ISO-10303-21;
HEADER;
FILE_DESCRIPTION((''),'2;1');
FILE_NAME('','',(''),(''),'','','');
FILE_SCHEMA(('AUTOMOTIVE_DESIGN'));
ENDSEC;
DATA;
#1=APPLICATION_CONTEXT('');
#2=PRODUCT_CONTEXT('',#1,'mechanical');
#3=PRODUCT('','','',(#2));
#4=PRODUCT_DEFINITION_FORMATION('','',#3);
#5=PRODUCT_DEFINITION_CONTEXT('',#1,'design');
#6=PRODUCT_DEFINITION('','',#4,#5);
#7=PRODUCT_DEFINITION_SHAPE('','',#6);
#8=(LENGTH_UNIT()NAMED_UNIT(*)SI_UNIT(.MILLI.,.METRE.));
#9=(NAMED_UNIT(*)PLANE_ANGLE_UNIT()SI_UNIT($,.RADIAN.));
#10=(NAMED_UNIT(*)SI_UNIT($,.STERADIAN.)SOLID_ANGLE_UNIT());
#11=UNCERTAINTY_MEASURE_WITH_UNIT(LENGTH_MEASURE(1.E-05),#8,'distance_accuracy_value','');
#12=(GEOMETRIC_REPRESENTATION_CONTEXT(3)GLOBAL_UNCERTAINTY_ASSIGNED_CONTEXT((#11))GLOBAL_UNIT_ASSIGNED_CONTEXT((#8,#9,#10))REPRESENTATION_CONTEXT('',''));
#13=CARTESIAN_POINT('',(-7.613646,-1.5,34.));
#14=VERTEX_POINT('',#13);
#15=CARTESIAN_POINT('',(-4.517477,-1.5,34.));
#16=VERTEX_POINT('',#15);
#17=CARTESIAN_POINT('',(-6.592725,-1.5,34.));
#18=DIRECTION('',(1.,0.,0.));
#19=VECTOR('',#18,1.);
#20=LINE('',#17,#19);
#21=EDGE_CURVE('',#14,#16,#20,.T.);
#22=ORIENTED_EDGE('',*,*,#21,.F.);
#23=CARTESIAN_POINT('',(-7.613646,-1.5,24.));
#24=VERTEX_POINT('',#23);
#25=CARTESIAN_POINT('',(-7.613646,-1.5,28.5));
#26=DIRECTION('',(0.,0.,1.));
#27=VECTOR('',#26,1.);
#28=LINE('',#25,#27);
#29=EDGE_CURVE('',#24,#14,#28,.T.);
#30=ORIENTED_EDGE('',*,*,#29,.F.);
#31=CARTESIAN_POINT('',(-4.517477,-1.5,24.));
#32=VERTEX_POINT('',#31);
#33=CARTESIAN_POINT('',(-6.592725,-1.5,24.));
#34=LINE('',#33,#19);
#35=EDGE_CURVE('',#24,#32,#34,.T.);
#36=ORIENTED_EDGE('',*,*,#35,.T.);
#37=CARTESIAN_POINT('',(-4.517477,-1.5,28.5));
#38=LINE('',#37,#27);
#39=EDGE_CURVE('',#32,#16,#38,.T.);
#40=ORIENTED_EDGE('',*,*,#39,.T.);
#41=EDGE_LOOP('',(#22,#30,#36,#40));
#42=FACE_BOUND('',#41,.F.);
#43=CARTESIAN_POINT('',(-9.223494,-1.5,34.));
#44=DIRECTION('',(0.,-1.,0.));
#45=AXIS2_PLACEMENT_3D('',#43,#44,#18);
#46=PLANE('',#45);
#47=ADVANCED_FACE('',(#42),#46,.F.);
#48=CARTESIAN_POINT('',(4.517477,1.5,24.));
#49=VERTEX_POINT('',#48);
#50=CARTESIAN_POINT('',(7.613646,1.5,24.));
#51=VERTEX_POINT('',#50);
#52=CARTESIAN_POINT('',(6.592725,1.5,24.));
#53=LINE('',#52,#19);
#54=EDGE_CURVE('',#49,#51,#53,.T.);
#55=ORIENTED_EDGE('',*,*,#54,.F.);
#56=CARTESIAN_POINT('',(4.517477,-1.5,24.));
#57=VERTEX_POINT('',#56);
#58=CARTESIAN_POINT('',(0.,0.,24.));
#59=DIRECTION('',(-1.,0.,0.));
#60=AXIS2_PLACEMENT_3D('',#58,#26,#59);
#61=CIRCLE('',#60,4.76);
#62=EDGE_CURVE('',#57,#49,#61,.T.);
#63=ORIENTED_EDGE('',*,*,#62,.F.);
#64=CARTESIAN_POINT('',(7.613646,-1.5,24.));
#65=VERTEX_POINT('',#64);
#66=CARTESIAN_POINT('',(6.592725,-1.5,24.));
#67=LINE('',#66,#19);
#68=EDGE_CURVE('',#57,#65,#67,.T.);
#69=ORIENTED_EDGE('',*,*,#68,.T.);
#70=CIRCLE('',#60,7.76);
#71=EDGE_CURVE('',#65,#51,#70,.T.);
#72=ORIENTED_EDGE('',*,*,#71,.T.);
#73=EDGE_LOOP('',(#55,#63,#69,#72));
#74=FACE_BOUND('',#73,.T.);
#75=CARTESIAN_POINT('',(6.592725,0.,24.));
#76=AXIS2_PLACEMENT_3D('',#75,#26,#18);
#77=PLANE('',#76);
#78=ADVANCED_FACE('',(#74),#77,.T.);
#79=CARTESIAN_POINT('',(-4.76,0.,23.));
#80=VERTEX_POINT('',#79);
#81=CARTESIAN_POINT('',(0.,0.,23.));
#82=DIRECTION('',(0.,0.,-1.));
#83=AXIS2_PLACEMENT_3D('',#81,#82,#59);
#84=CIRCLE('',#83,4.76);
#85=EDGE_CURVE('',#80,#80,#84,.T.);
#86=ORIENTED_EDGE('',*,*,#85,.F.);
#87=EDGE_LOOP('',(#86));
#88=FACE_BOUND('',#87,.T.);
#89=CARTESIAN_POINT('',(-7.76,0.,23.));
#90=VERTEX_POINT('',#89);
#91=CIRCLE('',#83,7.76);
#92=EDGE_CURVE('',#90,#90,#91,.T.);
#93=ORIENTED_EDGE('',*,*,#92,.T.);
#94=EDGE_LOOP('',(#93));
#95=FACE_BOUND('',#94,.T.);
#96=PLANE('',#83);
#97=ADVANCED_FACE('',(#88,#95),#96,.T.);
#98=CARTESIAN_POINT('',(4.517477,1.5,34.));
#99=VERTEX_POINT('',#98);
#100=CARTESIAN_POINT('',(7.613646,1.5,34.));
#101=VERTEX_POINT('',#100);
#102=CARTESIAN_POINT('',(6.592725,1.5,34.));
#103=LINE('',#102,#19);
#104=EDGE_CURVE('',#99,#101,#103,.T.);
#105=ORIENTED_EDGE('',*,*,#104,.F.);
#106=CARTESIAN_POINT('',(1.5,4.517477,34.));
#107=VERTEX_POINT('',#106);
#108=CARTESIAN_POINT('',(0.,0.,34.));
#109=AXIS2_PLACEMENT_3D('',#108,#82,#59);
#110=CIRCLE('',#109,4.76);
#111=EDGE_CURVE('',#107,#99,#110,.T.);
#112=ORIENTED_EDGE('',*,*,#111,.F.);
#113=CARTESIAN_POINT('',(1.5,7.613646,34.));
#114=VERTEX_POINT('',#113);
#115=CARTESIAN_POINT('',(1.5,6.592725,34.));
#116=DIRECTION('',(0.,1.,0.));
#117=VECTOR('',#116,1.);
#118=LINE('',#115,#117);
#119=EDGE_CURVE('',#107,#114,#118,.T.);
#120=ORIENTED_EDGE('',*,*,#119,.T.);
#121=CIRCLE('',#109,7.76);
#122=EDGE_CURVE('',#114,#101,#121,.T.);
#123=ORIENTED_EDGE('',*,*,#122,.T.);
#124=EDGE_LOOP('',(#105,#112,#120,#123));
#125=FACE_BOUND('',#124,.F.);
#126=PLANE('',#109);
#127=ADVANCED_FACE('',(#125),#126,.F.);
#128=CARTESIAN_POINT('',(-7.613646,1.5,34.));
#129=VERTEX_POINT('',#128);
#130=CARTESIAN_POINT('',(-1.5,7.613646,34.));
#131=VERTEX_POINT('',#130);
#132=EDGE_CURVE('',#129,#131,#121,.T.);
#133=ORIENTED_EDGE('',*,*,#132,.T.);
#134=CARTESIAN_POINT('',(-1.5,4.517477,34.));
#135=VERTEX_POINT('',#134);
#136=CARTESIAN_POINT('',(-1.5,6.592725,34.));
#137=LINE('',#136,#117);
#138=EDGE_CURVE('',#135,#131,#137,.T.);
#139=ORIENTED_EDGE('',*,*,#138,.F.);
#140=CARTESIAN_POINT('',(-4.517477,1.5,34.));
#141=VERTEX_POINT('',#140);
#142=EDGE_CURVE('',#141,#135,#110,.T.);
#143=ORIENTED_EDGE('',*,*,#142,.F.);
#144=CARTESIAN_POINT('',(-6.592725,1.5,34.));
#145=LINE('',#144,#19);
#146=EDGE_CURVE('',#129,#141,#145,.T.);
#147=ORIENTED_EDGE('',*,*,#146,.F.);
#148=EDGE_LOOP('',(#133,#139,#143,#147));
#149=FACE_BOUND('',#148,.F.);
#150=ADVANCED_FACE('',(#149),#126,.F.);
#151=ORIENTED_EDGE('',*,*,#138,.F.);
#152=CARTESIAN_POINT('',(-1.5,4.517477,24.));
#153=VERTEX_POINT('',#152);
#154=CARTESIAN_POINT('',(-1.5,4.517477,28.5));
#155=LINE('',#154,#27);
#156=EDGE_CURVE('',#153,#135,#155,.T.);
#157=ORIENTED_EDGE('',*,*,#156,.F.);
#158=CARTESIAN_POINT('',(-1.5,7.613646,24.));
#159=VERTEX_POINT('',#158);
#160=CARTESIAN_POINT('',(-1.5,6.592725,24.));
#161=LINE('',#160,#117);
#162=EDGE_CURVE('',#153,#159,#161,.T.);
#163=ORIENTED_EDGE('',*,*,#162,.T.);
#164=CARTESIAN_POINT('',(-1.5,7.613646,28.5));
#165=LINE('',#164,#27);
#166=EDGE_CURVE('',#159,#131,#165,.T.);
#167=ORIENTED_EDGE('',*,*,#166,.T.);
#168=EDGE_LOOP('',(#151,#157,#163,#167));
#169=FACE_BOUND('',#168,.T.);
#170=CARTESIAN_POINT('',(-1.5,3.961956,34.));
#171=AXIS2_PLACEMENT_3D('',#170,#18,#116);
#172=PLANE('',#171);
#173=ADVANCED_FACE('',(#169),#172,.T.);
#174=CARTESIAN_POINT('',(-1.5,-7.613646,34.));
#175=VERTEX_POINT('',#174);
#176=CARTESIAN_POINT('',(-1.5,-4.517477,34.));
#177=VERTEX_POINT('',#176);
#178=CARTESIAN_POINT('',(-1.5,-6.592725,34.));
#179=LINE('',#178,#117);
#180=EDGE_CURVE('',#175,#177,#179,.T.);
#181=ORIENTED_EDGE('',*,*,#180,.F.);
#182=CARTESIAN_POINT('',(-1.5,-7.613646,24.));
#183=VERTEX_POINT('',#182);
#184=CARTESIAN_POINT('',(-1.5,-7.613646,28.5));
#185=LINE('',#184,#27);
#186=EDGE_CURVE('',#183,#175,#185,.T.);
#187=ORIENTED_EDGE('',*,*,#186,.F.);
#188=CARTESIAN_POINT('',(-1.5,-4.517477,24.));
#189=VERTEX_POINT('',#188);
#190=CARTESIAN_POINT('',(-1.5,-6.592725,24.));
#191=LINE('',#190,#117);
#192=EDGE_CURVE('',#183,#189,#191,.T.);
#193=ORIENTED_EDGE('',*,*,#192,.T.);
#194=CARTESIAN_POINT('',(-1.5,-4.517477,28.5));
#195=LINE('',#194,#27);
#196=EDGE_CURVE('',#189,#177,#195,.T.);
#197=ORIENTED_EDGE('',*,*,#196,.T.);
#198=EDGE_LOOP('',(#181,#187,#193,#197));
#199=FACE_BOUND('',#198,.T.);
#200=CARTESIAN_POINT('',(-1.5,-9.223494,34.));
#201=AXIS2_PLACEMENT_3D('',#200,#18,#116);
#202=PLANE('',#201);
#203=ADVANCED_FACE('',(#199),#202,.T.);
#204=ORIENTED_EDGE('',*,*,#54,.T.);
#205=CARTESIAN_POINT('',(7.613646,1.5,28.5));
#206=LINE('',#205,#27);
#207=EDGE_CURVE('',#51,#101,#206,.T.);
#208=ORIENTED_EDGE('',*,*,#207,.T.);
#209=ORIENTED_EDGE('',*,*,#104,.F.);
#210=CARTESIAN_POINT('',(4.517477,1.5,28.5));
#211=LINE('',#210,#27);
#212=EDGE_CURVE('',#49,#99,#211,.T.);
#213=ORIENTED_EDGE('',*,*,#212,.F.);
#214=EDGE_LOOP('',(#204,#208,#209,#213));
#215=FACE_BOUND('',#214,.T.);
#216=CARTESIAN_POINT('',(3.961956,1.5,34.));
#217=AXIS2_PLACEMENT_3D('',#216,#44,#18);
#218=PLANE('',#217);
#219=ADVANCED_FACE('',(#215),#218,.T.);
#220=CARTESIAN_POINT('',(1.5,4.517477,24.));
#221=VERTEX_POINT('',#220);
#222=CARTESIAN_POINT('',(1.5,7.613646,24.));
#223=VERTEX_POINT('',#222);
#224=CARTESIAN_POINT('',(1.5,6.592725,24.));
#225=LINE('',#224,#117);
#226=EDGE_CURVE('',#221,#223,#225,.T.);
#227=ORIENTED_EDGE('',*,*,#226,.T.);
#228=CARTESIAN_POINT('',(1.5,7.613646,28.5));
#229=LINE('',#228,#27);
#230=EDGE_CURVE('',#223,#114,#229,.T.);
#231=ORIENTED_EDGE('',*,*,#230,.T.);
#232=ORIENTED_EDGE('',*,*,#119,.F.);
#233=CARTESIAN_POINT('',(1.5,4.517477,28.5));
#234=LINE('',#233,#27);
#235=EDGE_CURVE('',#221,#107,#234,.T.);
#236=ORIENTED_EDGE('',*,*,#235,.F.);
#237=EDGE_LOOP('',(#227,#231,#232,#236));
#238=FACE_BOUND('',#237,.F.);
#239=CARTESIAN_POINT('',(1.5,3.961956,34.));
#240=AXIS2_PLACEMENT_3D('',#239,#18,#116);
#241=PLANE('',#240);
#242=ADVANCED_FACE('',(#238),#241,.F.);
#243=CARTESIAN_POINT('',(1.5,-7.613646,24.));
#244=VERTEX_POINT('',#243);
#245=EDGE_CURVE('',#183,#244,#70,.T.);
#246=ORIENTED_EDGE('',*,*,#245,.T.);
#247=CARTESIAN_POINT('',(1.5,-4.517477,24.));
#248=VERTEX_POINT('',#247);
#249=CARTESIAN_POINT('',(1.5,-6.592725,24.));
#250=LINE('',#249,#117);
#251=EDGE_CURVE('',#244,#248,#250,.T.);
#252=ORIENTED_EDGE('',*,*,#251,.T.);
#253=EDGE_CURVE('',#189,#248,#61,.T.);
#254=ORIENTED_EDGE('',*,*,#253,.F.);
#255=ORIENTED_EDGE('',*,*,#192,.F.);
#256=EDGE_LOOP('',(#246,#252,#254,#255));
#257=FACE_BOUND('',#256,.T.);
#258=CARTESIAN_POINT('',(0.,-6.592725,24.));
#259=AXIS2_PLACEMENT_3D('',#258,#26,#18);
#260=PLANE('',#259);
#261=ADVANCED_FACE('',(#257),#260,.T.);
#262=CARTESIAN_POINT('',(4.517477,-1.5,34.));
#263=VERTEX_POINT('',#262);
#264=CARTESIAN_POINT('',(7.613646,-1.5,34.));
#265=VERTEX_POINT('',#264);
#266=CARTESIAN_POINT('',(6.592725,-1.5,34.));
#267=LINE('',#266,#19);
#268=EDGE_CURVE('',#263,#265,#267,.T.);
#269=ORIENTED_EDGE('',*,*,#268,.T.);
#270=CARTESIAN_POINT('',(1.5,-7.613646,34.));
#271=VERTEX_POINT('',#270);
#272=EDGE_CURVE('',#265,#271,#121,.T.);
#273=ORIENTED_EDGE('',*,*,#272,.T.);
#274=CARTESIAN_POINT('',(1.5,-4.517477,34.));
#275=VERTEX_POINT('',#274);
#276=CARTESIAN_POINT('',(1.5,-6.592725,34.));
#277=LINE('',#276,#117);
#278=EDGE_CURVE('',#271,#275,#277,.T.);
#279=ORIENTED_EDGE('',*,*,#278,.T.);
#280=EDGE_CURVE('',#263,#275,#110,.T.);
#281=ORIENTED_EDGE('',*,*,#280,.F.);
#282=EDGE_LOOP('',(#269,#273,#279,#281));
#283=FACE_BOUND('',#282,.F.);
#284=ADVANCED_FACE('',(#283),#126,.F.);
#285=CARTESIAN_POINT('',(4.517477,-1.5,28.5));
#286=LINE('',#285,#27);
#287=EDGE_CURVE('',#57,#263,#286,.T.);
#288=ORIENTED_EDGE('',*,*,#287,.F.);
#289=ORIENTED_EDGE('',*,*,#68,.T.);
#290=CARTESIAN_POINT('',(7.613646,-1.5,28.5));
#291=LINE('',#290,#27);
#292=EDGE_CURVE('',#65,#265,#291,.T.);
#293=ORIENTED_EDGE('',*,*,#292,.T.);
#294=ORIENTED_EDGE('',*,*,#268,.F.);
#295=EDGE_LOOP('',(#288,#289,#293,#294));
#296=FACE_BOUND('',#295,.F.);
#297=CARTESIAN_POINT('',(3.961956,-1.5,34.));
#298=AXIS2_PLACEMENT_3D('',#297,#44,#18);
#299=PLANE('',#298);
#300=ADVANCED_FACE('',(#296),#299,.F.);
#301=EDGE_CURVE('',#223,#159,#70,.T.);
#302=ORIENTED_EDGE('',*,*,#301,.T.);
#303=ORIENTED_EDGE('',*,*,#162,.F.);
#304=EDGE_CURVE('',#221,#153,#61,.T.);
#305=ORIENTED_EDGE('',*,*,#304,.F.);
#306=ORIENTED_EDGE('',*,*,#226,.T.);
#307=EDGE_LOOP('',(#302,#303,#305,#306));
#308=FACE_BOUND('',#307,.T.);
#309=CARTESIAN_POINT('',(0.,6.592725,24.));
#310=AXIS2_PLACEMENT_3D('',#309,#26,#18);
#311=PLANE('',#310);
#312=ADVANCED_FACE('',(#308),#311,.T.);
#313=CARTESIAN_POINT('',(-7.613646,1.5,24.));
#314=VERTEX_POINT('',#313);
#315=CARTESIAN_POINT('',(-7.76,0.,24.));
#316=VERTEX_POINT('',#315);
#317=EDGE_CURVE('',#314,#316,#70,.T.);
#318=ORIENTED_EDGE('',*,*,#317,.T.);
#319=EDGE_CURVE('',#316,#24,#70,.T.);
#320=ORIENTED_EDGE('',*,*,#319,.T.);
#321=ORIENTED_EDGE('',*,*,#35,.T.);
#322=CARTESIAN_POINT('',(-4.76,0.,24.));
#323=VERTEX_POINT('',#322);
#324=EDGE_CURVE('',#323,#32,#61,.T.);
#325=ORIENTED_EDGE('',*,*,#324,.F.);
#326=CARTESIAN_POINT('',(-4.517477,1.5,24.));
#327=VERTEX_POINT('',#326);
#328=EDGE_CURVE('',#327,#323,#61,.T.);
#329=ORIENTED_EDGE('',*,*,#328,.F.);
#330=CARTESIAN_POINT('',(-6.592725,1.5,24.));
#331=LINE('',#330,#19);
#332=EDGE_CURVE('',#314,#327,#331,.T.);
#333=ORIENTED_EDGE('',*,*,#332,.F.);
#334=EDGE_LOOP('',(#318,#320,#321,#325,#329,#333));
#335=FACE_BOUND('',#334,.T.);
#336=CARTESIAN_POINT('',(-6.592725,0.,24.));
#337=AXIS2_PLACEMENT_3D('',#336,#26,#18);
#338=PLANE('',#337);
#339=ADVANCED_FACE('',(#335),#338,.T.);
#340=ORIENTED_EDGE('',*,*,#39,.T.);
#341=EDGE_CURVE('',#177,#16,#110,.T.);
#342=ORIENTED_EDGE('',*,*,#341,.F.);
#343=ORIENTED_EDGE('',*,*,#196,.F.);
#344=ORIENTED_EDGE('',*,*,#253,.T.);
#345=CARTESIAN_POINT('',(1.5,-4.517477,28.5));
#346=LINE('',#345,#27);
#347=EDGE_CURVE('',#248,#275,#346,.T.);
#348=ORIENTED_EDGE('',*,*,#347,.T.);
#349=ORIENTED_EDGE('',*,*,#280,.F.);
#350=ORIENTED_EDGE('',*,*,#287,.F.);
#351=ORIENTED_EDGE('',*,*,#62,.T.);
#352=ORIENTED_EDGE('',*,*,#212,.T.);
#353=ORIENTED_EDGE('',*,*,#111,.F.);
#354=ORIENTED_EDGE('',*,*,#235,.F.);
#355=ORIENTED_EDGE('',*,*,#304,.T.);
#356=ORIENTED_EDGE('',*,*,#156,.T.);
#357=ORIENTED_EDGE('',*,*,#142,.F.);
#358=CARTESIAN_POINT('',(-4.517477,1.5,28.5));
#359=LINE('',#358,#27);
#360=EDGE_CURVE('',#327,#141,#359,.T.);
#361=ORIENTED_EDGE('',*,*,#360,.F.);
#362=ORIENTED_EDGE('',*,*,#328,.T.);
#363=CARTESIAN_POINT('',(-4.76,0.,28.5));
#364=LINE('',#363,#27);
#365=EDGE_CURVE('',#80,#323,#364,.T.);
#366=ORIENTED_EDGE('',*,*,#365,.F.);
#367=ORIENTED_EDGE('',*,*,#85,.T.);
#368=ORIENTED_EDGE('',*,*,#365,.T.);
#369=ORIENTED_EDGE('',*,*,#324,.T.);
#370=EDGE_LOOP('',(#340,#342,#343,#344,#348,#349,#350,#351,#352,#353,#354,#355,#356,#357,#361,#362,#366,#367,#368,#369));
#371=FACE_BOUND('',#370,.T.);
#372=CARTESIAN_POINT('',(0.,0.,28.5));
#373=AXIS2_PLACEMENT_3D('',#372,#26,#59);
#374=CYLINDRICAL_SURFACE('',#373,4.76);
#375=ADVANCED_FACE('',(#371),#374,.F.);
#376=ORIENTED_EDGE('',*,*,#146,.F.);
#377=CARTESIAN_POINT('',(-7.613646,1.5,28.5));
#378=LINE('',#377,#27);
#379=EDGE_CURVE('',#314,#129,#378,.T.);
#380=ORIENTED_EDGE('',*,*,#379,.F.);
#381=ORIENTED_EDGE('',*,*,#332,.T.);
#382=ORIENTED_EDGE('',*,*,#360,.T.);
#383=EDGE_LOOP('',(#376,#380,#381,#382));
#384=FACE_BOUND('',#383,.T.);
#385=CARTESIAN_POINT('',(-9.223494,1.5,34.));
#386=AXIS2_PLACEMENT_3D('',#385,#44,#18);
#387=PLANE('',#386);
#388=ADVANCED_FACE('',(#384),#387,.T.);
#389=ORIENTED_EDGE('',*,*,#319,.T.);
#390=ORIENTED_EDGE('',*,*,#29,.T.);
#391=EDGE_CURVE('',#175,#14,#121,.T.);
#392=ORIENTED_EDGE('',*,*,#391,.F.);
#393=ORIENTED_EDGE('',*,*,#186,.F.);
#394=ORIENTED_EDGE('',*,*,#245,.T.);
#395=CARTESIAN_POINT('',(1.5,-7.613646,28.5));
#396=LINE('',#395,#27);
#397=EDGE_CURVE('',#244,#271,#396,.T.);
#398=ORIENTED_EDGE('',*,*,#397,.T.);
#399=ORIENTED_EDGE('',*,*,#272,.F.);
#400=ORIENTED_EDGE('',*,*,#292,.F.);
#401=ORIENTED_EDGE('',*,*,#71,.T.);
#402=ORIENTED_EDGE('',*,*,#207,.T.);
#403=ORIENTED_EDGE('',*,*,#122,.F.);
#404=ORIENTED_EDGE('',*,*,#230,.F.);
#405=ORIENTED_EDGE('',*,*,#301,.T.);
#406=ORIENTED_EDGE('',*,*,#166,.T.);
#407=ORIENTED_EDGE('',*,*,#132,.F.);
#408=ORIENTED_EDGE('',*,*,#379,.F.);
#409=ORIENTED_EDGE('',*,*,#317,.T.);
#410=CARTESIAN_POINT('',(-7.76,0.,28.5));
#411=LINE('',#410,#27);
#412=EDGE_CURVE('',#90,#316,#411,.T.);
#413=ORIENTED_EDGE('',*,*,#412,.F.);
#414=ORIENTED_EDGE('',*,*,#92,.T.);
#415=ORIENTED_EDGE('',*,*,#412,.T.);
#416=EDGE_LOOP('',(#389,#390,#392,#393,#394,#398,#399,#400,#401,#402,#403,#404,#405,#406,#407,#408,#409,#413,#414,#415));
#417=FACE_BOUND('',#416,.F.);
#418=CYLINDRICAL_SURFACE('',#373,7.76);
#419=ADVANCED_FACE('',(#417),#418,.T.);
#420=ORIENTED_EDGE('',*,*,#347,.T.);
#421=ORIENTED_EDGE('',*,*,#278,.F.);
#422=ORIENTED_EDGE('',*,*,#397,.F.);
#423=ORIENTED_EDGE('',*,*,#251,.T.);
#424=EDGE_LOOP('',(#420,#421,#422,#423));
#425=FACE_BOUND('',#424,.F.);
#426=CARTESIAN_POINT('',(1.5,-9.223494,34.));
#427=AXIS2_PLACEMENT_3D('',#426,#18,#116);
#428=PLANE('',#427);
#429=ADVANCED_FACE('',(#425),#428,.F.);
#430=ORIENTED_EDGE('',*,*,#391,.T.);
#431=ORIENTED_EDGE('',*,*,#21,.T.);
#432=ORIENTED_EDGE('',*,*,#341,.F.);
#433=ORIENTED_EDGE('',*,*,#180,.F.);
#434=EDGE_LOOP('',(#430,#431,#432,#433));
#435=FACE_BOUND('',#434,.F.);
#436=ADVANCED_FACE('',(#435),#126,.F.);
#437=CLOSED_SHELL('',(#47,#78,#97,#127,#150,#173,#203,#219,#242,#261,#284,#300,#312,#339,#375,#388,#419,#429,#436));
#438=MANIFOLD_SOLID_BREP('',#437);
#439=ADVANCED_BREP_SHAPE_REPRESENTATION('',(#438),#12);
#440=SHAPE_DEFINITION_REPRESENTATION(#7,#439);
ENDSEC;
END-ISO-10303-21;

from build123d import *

# Parameters (mm, degrees)
F0_W     = 3
F0_H     = 11
F2_W     = 3
F2_H     = 5.261537
F2_W_2   = 5.261537
F2_H_2   = 3
F3_DEPTH = 10


with BuildPart() as f1:
    # F0 (on Front) → F1 (revolve)
    with BuildSketch(Plane.XZ):
        with Locations((-6.26, 28.5)):
            Rectangle(F0_W, F0_H)
    revolve(axis=Axis((0, 0, 29.352345), (0, 0, -1)))

    # F2 (on face) → F3 (cut)
    with BuildSketch(Plane.XY.offset(34)):
        with Locations((0, 6.592725)):
            Rectangle(F2_W, F2_H)
        with Locations((-6.592725, 0)):
            Rectangle(F2_W_2, F2_H_2)
        with Locations((0, -6.592725)):
            Rectangle(F2_W, F2_H)
        with Locations((6.592725, 0)):
            Rectangle(F2_W_2, F2_H_2)
    extrude(amount=-F3_DEPTH, mode=Mode.SUBTRACT)


solid = f1.part
